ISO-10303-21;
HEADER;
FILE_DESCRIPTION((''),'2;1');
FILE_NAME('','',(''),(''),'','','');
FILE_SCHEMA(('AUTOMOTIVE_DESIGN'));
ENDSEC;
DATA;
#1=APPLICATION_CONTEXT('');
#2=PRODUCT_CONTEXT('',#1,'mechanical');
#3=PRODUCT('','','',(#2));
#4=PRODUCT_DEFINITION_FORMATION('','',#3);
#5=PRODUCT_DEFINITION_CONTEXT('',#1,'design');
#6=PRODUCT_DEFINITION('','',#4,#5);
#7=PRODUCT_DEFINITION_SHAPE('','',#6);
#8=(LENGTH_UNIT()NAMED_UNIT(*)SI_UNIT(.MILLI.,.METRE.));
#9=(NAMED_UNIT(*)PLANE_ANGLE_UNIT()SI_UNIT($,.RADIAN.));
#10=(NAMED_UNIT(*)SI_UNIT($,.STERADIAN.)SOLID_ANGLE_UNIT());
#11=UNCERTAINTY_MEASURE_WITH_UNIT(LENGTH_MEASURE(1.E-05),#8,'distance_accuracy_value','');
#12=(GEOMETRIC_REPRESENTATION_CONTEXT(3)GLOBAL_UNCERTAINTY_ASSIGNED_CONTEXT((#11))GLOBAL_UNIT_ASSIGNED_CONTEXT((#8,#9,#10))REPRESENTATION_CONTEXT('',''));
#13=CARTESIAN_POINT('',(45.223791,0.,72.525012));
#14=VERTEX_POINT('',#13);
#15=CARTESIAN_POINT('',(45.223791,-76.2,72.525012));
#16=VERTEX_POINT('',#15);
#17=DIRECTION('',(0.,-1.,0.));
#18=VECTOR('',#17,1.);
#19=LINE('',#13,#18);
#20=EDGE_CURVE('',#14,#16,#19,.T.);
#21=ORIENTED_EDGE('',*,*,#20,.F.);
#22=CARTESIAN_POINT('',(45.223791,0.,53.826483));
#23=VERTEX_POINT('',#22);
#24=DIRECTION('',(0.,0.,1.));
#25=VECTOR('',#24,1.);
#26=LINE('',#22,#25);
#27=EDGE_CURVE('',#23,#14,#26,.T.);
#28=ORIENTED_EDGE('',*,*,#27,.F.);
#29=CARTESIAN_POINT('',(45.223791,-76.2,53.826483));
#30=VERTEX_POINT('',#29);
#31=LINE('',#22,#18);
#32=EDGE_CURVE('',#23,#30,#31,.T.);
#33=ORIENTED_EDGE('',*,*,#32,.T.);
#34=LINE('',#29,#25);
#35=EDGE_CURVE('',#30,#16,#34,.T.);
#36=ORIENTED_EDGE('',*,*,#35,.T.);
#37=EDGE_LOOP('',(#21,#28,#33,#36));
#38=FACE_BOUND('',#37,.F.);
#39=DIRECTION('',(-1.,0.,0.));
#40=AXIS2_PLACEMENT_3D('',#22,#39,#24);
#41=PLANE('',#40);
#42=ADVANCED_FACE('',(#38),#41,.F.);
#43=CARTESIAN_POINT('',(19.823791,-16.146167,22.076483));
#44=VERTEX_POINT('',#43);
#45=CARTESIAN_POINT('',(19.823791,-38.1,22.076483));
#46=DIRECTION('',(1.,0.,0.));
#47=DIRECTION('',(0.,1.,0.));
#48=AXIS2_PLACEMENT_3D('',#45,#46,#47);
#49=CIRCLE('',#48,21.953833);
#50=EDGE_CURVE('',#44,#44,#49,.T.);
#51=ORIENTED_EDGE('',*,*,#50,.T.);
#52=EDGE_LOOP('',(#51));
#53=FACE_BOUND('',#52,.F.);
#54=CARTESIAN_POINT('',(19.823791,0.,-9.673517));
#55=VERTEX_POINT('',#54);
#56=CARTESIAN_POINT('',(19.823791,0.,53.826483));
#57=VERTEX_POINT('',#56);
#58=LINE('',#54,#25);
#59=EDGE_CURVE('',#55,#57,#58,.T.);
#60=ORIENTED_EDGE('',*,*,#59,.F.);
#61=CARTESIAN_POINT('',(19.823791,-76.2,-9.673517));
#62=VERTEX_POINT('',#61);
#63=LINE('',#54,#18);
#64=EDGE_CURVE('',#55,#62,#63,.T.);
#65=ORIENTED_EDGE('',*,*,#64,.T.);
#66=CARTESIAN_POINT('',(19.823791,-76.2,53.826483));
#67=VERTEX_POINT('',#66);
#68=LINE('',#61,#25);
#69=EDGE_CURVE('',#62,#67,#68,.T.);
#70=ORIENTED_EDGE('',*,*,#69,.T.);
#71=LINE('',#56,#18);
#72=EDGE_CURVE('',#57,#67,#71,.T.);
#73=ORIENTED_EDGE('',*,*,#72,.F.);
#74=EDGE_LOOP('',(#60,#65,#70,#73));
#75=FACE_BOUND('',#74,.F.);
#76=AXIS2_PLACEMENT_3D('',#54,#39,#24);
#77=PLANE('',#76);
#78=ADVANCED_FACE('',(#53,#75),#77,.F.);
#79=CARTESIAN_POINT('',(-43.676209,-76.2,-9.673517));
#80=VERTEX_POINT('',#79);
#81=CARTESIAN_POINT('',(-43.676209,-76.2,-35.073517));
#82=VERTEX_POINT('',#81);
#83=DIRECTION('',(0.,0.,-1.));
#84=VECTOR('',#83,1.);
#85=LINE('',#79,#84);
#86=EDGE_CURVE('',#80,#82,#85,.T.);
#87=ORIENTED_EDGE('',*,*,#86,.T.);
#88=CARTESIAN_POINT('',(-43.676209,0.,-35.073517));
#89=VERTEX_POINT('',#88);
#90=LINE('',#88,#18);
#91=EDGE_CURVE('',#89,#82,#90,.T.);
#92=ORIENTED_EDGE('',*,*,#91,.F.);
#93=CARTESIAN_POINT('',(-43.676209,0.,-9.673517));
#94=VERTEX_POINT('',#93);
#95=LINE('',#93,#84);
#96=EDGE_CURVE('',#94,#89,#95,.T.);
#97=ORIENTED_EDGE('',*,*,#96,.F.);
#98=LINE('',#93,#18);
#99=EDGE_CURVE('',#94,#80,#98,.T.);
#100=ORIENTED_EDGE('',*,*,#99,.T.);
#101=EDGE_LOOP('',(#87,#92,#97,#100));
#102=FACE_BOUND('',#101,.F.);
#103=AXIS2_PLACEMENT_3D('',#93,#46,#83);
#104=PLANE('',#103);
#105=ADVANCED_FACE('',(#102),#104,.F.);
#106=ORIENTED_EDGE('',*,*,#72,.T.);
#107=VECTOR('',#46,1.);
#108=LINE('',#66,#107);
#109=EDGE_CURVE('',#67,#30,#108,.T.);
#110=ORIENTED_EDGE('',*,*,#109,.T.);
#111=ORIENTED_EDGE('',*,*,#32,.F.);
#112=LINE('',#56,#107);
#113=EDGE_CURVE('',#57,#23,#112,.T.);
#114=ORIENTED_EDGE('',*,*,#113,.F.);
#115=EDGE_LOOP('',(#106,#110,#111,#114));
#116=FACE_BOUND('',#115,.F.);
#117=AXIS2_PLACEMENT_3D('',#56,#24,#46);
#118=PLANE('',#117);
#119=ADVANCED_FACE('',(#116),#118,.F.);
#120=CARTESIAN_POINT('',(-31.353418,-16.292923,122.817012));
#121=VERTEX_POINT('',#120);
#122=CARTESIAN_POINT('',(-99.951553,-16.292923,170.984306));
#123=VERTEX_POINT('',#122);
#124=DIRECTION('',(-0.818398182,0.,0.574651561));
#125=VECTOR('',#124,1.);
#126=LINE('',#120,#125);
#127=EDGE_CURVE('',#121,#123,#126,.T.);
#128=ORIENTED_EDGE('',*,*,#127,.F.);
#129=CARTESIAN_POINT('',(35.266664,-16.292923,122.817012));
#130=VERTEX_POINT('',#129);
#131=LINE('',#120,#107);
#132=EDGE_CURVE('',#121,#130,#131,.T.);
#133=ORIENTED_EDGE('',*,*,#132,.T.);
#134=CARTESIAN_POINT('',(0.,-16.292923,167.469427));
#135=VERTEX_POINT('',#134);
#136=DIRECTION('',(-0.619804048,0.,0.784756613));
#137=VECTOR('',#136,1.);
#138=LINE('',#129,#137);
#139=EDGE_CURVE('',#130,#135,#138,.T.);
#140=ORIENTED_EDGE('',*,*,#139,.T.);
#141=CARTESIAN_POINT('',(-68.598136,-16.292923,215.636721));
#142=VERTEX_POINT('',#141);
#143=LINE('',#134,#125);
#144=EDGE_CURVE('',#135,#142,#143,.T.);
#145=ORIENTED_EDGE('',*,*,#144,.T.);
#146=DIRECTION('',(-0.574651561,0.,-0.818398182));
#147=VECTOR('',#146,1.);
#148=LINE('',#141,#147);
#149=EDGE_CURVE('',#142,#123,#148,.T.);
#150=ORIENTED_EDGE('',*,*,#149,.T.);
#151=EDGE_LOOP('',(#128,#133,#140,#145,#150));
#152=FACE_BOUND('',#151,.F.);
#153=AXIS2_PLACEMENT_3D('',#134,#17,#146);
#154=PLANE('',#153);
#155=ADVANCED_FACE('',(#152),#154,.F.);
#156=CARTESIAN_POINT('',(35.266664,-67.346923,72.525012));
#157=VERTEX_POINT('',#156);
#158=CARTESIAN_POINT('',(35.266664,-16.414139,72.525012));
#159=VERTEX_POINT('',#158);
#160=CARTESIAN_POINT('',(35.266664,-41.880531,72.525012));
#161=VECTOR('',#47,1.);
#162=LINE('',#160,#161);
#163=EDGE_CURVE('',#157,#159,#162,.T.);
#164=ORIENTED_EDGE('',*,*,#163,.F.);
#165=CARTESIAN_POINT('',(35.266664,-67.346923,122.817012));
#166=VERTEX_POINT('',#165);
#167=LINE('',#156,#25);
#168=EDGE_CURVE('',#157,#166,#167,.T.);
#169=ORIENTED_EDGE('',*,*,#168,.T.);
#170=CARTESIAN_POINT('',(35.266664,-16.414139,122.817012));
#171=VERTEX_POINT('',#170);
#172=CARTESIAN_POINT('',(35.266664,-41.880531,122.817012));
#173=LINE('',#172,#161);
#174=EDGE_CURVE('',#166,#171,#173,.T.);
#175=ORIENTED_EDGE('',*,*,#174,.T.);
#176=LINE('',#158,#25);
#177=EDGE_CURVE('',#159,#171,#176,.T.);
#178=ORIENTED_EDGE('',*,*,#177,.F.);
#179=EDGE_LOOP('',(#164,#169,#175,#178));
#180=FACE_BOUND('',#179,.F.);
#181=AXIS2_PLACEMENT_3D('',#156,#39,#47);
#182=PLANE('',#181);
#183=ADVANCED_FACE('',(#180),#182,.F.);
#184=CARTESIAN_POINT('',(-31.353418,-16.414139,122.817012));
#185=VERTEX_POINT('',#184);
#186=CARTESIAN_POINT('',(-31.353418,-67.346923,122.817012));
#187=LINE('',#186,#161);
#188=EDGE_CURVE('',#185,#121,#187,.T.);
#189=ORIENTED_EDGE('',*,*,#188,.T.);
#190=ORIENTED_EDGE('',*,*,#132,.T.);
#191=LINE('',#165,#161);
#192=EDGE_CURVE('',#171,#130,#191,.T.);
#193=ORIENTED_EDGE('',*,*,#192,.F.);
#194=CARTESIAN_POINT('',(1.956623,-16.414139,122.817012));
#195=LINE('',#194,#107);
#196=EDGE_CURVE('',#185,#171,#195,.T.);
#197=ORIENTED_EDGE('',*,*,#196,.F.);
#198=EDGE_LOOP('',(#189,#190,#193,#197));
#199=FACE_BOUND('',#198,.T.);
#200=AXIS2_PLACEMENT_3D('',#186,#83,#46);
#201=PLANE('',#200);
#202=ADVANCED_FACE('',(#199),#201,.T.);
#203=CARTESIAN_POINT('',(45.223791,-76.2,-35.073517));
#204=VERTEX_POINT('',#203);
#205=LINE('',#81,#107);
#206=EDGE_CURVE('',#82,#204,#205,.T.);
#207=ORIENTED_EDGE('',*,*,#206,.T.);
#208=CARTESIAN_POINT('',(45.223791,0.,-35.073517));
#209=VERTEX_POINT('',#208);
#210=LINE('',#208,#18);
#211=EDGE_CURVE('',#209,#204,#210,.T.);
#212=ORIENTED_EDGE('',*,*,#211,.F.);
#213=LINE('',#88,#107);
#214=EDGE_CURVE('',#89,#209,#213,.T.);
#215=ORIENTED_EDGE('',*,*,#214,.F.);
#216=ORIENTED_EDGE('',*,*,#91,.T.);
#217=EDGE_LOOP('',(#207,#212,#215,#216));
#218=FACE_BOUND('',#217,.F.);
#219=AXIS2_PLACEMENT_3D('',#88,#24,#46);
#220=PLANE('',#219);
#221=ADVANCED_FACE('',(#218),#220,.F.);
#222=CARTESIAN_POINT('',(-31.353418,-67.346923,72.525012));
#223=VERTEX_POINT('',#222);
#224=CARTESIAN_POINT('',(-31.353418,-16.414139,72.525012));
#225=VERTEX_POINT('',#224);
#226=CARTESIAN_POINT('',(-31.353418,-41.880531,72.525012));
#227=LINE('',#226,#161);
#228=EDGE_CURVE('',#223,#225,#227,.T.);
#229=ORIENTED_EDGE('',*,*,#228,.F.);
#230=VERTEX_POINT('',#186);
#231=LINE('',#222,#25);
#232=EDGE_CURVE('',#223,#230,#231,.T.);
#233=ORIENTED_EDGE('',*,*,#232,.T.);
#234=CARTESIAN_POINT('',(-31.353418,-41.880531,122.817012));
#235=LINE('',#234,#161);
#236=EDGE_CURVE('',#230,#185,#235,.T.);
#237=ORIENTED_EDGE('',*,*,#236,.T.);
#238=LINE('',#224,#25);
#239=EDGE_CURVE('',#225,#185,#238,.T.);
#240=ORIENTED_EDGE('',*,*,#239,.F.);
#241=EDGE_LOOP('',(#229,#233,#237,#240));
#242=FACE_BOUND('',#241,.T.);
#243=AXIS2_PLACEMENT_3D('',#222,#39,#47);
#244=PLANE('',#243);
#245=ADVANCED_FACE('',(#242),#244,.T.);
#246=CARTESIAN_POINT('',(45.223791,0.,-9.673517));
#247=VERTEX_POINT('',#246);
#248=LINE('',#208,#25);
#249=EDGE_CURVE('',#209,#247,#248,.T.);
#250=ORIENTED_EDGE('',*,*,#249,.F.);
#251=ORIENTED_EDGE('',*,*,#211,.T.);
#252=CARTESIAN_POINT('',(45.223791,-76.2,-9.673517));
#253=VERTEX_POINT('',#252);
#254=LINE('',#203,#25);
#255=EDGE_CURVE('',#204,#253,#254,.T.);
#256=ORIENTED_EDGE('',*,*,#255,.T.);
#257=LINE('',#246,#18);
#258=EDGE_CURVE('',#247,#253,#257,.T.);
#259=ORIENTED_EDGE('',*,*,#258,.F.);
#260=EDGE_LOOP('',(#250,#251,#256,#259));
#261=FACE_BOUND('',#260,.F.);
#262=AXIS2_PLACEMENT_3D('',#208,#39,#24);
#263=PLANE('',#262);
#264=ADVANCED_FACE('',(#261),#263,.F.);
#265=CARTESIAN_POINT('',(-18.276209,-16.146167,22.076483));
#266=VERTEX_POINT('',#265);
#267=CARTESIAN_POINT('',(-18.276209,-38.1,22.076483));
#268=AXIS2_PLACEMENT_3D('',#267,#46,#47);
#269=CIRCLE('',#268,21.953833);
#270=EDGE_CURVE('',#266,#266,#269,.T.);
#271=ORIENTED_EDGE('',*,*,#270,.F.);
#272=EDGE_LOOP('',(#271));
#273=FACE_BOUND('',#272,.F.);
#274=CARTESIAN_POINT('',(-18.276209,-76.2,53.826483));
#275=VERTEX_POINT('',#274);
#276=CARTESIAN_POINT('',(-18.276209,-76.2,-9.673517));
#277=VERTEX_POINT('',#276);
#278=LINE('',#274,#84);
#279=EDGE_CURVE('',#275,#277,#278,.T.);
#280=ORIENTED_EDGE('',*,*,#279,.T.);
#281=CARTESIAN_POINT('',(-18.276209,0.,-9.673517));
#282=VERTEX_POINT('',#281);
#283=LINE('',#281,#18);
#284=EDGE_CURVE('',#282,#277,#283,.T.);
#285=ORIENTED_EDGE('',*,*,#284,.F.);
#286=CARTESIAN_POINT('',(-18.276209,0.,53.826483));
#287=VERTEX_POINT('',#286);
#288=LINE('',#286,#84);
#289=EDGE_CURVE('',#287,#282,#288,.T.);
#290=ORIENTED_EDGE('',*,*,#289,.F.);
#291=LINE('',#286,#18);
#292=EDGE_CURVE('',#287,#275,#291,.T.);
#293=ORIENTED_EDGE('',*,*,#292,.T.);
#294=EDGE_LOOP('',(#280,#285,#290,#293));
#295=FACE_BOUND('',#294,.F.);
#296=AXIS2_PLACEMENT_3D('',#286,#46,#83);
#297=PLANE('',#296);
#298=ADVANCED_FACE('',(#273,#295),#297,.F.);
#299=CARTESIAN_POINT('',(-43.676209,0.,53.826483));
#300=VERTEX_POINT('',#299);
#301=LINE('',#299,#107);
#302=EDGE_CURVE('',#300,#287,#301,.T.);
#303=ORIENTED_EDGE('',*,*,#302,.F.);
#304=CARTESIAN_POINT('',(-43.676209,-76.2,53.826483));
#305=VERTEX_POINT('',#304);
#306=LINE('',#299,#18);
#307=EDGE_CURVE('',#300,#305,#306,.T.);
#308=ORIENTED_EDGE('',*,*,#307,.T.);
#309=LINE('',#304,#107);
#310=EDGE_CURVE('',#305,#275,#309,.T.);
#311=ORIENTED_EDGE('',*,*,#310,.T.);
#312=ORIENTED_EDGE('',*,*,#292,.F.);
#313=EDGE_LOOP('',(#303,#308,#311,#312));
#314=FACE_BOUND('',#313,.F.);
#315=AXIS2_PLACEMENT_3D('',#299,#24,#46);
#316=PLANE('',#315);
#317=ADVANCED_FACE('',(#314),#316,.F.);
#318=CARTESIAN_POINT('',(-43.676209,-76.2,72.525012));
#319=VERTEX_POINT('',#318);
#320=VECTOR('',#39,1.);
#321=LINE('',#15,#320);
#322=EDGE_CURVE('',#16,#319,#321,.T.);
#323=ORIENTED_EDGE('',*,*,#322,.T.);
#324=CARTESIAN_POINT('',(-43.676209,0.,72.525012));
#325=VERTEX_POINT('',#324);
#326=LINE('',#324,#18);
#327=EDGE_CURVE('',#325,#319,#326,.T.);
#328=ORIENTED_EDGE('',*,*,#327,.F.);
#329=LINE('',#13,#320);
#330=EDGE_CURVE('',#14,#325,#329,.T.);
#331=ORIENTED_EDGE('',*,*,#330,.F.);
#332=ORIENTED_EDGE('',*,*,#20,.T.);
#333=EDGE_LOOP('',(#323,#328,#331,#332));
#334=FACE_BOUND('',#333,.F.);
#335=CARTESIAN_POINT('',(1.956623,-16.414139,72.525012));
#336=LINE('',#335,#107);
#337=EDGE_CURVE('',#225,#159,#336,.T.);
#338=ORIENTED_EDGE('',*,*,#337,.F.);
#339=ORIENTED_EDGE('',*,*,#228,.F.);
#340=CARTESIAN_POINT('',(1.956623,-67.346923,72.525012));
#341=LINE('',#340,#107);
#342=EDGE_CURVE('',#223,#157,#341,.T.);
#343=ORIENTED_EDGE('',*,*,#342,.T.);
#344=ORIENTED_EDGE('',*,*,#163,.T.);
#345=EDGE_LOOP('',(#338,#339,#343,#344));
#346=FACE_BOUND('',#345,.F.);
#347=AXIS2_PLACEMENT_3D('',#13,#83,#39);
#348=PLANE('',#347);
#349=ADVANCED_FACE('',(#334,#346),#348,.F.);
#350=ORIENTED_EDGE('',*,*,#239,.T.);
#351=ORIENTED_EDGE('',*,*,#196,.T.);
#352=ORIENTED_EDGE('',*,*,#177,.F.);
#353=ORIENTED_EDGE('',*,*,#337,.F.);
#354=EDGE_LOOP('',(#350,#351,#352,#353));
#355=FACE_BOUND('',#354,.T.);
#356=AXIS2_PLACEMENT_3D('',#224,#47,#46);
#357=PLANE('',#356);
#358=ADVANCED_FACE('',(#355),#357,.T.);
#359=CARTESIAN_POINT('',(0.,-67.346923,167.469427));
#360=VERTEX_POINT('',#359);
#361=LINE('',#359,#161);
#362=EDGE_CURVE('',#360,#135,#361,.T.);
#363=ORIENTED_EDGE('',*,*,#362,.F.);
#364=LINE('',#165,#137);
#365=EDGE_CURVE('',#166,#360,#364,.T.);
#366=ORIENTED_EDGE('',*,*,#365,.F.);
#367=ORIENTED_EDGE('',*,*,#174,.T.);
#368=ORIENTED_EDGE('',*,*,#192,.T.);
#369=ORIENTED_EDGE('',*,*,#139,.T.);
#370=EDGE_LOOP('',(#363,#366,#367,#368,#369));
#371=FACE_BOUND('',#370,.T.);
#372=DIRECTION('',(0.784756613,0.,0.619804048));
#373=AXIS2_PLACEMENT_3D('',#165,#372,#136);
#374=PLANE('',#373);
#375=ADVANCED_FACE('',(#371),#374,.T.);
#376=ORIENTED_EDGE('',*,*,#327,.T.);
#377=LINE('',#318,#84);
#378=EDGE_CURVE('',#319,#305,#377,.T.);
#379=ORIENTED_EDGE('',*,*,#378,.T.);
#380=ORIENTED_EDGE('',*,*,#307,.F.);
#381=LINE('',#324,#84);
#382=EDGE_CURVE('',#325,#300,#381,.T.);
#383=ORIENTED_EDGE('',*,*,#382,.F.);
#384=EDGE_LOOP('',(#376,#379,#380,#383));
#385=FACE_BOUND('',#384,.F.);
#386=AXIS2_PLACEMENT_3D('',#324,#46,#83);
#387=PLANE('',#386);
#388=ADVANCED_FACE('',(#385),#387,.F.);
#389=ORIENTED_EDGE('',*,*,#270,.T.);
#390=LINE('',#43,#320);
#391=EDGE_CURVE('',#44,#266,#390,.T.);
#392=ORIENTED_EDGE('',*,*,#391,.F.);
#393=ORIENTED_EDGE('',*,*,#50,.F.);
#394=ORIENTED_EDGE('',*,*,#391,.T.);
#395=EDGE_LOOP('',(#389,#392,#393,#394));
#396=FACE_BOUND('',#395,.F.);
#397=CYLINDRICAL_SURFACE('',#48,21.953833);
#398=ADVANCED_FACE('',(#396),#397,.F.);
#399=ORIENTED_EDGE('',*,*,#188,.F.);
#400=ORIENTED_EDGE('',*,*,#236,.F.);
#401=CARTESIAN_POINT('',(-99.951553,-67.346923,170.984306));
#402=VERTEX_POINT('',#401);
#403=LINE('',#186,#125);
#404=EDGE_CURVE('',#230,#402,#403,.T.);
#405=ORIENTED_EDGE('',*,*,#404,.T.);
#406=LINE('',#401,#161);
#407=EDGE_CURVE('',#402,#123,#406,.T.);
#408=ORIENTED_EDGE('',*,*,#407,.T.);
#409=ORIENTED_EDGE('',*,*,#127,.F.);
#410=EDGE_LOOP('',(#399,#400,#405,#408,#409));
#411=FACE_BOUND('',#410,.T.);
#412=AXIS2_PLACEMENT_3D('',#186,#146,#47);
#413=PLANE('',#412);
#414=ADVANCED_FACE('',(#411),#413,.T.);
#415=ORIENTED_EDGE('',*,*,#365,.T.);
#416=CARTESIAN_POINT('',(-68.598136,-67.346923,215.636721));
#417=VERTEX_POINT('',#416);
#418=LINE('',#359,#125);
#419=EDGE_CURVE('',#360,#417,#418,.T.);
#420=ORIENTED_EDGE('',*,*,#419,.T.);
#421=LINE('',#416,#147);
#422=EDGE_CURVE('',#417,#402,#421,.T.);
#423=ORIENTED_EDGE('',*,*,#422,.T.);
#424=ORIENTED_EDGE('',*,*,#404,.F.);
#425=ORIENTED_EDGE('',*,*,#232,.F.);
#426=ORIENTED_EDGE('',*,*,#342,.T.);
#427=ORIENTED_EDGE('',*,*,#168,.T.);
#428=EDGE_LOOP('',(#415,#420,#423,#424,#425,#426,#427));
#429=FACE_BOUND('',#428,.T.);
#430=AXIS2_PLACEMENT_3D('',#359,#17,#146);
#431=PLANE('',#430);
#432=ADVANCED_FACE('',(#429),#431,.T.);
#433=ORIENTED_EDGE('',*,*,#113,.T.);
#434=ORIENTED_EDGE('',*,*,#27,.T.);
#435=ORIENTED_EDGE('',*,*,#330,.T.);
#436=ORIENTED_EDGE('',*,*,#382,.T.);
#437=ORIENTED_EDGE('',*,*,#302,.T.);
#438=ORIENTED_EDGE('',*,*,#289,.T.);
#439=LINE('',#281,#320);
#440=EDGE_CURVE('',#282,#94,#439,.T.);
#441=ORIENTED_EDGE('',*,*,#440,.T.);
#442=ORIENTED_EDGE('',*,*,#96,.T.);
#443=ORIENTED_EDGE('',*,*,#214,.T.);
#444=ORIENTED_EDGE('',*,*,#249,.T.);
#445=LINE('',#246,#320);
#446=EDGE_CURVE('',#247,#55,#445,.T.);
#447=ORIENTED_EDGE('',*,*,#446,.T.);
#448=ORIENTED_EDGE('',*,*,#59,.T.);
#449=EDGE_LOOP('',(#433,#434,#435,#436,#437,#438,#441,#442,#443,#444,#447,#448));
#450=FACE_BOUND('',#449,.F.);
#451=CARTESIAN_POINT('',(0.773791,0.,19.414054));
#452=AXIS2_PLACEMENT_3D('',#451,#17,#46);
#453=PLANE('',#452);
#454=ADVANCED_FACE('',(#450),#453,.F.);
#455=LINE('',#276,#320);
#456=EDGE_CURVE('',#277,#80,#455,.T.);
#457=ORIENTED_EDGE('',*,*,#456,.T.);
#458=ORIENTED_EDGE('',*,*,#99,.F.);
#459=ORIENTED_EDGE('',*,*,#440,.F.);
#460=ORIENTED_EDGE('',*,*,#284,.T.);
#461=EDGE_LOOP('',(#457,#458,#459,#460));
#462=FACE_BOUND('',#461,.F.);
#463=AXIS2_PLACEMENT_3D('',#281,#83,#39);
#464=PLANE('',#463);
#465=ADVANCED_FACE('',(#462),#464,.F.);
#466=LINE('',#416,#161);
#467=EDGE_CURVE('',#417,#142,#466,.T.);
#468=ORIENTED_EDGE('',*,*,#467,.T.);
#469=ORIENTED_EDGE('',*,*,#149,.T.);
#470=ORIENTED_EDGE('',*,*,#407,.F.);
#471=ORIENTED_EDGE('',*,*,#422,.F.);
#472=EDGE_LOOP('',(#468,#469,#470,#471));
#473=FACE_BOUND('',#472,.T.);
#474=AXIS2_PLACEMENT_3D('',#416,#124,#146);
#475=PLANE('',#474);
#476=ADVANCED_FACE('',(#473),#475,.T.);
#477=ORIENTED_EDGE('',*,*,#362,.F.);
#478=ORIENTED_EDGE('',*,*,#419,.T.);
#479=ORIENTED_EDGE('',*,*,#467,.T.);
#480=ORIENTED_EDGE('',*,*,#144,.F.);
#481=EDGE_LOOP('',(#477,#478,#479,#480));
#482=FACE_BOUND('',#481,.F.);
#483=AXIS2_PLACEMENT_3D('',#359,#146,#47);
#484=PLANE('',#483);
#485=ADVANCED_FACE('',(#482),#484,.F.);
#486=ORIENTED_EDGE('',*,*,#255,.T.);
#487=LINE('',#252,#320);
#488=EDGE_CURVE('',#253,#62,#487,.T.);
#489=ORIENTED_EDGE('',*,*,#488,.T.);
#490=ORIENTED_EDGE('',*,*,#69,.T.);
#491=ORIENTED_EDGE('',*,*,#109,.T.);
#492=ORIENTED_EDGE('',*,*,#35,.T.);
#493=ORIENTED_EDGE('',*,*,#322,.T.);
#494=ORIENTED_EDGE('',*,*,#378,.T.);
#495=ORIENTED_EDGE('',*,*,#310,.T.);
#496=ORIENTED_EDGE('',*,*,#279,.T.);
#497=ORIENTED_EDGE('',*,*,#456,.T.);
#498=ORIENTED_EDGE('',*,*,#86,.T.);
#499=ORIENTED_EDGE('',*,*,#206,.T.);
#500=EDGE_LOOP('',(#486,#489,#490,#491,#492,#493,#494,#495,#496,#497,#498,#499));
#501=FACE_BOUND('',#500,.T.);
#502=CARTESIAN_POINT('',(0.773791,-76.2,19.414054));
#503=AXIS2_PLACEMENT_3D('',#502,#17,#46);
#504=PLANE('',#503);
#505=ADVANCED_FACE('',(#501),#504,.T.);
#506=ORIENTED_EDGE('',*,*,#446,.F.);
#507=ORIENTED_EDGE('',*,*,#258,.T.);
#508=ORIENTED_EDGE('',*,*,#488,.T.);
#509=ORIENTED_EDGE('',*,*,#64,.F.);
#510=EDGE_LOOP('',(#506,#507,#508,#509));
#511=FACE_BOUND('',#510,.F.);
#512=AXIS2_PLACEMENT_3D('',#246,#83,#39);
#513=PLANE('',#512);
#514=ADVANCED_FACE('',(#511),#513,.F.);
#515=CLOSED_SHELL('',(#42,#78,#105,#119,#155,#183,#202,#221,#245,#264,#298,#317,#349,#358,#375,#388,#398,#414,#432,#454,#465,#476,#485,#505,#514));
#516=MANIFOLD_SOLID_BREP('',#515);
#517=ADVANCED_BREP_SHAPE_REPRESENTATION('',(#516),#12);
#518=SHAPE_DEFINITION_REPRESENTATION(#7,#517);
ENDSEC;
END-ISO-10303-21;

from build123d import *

# Parameters (mm, degrees)
F1_DEPTH = 76.2
F2_R     = 21.9538330402
F3_DEPTH = 63.501
F4_W     = 66.6200816631
F4_H     = 50.9327836335
F5_DEPTH = 50.292
F7_DEPTH = 51.054
F9_DEPTH = 83.82


with BuildPart() as f1:
    # F0 (on Front) → F1 (new body)
    with BuildSketch(Plane.XZ):
        Polygon((-43.6762087762, -9.6735172633), (-43.6762087762, -35.0735172633), (45.2237912238, -35.0735172633), (45.2237912238, -9.6735172633), (19.8237912238, -9.6735172633), (19.8237912238, 53.8264827367), (45.2237912238, 53.8264827367), (45.2237912238, 72.5250117484), (-43.6762087762, 72.5250117484), (-43.6762087762, 53.8264827367), (-18.2762087762, 53.8264827367), (-18.2762087762, -9.6735172633), align=None)
    extrude(amount=F1_DEPTH)

    # F2 (on face) → F3 (cut, through all)
    with BuildSketch(Plane.YZ.offset(19.8237912238)):
        with Locations((-38.1, 22.0764827367)):
            Circle(F2_R)
    extrude(amount=-F3_DEPTH, mode=Mode.SUBTRACT)

    # F4 (on face) → F5 (join)
    with BuildSketch(Plane.XY.offset(72.5250117484)):
        with Locations((1.9566230476, -41.8805312365)):
            Rectangle(F4_W, F4_H)
    extrude(amount=F5_DEPTH)

    # F6 (on face) → F7 (join)
    with BuildSketch(Plane.XZ.offset(67.3469230533)):
        Polygon((0, 167.4694269896), (-31.353417784, 122.8170117484), (35.2666638792, 122.8170117484), align=None)
    extrude(amount=-F7_DEPTH)

    # F9 (add): a face of the model
    f9_faces = [f1.faces().sort_by_distance(p)[0] for p in [
        (-15.676708892, -41.8199230533, 145.143219369),
    ]]
    extrude(f9_faces, amount=F9_DEPTH)


solid = f1.part
